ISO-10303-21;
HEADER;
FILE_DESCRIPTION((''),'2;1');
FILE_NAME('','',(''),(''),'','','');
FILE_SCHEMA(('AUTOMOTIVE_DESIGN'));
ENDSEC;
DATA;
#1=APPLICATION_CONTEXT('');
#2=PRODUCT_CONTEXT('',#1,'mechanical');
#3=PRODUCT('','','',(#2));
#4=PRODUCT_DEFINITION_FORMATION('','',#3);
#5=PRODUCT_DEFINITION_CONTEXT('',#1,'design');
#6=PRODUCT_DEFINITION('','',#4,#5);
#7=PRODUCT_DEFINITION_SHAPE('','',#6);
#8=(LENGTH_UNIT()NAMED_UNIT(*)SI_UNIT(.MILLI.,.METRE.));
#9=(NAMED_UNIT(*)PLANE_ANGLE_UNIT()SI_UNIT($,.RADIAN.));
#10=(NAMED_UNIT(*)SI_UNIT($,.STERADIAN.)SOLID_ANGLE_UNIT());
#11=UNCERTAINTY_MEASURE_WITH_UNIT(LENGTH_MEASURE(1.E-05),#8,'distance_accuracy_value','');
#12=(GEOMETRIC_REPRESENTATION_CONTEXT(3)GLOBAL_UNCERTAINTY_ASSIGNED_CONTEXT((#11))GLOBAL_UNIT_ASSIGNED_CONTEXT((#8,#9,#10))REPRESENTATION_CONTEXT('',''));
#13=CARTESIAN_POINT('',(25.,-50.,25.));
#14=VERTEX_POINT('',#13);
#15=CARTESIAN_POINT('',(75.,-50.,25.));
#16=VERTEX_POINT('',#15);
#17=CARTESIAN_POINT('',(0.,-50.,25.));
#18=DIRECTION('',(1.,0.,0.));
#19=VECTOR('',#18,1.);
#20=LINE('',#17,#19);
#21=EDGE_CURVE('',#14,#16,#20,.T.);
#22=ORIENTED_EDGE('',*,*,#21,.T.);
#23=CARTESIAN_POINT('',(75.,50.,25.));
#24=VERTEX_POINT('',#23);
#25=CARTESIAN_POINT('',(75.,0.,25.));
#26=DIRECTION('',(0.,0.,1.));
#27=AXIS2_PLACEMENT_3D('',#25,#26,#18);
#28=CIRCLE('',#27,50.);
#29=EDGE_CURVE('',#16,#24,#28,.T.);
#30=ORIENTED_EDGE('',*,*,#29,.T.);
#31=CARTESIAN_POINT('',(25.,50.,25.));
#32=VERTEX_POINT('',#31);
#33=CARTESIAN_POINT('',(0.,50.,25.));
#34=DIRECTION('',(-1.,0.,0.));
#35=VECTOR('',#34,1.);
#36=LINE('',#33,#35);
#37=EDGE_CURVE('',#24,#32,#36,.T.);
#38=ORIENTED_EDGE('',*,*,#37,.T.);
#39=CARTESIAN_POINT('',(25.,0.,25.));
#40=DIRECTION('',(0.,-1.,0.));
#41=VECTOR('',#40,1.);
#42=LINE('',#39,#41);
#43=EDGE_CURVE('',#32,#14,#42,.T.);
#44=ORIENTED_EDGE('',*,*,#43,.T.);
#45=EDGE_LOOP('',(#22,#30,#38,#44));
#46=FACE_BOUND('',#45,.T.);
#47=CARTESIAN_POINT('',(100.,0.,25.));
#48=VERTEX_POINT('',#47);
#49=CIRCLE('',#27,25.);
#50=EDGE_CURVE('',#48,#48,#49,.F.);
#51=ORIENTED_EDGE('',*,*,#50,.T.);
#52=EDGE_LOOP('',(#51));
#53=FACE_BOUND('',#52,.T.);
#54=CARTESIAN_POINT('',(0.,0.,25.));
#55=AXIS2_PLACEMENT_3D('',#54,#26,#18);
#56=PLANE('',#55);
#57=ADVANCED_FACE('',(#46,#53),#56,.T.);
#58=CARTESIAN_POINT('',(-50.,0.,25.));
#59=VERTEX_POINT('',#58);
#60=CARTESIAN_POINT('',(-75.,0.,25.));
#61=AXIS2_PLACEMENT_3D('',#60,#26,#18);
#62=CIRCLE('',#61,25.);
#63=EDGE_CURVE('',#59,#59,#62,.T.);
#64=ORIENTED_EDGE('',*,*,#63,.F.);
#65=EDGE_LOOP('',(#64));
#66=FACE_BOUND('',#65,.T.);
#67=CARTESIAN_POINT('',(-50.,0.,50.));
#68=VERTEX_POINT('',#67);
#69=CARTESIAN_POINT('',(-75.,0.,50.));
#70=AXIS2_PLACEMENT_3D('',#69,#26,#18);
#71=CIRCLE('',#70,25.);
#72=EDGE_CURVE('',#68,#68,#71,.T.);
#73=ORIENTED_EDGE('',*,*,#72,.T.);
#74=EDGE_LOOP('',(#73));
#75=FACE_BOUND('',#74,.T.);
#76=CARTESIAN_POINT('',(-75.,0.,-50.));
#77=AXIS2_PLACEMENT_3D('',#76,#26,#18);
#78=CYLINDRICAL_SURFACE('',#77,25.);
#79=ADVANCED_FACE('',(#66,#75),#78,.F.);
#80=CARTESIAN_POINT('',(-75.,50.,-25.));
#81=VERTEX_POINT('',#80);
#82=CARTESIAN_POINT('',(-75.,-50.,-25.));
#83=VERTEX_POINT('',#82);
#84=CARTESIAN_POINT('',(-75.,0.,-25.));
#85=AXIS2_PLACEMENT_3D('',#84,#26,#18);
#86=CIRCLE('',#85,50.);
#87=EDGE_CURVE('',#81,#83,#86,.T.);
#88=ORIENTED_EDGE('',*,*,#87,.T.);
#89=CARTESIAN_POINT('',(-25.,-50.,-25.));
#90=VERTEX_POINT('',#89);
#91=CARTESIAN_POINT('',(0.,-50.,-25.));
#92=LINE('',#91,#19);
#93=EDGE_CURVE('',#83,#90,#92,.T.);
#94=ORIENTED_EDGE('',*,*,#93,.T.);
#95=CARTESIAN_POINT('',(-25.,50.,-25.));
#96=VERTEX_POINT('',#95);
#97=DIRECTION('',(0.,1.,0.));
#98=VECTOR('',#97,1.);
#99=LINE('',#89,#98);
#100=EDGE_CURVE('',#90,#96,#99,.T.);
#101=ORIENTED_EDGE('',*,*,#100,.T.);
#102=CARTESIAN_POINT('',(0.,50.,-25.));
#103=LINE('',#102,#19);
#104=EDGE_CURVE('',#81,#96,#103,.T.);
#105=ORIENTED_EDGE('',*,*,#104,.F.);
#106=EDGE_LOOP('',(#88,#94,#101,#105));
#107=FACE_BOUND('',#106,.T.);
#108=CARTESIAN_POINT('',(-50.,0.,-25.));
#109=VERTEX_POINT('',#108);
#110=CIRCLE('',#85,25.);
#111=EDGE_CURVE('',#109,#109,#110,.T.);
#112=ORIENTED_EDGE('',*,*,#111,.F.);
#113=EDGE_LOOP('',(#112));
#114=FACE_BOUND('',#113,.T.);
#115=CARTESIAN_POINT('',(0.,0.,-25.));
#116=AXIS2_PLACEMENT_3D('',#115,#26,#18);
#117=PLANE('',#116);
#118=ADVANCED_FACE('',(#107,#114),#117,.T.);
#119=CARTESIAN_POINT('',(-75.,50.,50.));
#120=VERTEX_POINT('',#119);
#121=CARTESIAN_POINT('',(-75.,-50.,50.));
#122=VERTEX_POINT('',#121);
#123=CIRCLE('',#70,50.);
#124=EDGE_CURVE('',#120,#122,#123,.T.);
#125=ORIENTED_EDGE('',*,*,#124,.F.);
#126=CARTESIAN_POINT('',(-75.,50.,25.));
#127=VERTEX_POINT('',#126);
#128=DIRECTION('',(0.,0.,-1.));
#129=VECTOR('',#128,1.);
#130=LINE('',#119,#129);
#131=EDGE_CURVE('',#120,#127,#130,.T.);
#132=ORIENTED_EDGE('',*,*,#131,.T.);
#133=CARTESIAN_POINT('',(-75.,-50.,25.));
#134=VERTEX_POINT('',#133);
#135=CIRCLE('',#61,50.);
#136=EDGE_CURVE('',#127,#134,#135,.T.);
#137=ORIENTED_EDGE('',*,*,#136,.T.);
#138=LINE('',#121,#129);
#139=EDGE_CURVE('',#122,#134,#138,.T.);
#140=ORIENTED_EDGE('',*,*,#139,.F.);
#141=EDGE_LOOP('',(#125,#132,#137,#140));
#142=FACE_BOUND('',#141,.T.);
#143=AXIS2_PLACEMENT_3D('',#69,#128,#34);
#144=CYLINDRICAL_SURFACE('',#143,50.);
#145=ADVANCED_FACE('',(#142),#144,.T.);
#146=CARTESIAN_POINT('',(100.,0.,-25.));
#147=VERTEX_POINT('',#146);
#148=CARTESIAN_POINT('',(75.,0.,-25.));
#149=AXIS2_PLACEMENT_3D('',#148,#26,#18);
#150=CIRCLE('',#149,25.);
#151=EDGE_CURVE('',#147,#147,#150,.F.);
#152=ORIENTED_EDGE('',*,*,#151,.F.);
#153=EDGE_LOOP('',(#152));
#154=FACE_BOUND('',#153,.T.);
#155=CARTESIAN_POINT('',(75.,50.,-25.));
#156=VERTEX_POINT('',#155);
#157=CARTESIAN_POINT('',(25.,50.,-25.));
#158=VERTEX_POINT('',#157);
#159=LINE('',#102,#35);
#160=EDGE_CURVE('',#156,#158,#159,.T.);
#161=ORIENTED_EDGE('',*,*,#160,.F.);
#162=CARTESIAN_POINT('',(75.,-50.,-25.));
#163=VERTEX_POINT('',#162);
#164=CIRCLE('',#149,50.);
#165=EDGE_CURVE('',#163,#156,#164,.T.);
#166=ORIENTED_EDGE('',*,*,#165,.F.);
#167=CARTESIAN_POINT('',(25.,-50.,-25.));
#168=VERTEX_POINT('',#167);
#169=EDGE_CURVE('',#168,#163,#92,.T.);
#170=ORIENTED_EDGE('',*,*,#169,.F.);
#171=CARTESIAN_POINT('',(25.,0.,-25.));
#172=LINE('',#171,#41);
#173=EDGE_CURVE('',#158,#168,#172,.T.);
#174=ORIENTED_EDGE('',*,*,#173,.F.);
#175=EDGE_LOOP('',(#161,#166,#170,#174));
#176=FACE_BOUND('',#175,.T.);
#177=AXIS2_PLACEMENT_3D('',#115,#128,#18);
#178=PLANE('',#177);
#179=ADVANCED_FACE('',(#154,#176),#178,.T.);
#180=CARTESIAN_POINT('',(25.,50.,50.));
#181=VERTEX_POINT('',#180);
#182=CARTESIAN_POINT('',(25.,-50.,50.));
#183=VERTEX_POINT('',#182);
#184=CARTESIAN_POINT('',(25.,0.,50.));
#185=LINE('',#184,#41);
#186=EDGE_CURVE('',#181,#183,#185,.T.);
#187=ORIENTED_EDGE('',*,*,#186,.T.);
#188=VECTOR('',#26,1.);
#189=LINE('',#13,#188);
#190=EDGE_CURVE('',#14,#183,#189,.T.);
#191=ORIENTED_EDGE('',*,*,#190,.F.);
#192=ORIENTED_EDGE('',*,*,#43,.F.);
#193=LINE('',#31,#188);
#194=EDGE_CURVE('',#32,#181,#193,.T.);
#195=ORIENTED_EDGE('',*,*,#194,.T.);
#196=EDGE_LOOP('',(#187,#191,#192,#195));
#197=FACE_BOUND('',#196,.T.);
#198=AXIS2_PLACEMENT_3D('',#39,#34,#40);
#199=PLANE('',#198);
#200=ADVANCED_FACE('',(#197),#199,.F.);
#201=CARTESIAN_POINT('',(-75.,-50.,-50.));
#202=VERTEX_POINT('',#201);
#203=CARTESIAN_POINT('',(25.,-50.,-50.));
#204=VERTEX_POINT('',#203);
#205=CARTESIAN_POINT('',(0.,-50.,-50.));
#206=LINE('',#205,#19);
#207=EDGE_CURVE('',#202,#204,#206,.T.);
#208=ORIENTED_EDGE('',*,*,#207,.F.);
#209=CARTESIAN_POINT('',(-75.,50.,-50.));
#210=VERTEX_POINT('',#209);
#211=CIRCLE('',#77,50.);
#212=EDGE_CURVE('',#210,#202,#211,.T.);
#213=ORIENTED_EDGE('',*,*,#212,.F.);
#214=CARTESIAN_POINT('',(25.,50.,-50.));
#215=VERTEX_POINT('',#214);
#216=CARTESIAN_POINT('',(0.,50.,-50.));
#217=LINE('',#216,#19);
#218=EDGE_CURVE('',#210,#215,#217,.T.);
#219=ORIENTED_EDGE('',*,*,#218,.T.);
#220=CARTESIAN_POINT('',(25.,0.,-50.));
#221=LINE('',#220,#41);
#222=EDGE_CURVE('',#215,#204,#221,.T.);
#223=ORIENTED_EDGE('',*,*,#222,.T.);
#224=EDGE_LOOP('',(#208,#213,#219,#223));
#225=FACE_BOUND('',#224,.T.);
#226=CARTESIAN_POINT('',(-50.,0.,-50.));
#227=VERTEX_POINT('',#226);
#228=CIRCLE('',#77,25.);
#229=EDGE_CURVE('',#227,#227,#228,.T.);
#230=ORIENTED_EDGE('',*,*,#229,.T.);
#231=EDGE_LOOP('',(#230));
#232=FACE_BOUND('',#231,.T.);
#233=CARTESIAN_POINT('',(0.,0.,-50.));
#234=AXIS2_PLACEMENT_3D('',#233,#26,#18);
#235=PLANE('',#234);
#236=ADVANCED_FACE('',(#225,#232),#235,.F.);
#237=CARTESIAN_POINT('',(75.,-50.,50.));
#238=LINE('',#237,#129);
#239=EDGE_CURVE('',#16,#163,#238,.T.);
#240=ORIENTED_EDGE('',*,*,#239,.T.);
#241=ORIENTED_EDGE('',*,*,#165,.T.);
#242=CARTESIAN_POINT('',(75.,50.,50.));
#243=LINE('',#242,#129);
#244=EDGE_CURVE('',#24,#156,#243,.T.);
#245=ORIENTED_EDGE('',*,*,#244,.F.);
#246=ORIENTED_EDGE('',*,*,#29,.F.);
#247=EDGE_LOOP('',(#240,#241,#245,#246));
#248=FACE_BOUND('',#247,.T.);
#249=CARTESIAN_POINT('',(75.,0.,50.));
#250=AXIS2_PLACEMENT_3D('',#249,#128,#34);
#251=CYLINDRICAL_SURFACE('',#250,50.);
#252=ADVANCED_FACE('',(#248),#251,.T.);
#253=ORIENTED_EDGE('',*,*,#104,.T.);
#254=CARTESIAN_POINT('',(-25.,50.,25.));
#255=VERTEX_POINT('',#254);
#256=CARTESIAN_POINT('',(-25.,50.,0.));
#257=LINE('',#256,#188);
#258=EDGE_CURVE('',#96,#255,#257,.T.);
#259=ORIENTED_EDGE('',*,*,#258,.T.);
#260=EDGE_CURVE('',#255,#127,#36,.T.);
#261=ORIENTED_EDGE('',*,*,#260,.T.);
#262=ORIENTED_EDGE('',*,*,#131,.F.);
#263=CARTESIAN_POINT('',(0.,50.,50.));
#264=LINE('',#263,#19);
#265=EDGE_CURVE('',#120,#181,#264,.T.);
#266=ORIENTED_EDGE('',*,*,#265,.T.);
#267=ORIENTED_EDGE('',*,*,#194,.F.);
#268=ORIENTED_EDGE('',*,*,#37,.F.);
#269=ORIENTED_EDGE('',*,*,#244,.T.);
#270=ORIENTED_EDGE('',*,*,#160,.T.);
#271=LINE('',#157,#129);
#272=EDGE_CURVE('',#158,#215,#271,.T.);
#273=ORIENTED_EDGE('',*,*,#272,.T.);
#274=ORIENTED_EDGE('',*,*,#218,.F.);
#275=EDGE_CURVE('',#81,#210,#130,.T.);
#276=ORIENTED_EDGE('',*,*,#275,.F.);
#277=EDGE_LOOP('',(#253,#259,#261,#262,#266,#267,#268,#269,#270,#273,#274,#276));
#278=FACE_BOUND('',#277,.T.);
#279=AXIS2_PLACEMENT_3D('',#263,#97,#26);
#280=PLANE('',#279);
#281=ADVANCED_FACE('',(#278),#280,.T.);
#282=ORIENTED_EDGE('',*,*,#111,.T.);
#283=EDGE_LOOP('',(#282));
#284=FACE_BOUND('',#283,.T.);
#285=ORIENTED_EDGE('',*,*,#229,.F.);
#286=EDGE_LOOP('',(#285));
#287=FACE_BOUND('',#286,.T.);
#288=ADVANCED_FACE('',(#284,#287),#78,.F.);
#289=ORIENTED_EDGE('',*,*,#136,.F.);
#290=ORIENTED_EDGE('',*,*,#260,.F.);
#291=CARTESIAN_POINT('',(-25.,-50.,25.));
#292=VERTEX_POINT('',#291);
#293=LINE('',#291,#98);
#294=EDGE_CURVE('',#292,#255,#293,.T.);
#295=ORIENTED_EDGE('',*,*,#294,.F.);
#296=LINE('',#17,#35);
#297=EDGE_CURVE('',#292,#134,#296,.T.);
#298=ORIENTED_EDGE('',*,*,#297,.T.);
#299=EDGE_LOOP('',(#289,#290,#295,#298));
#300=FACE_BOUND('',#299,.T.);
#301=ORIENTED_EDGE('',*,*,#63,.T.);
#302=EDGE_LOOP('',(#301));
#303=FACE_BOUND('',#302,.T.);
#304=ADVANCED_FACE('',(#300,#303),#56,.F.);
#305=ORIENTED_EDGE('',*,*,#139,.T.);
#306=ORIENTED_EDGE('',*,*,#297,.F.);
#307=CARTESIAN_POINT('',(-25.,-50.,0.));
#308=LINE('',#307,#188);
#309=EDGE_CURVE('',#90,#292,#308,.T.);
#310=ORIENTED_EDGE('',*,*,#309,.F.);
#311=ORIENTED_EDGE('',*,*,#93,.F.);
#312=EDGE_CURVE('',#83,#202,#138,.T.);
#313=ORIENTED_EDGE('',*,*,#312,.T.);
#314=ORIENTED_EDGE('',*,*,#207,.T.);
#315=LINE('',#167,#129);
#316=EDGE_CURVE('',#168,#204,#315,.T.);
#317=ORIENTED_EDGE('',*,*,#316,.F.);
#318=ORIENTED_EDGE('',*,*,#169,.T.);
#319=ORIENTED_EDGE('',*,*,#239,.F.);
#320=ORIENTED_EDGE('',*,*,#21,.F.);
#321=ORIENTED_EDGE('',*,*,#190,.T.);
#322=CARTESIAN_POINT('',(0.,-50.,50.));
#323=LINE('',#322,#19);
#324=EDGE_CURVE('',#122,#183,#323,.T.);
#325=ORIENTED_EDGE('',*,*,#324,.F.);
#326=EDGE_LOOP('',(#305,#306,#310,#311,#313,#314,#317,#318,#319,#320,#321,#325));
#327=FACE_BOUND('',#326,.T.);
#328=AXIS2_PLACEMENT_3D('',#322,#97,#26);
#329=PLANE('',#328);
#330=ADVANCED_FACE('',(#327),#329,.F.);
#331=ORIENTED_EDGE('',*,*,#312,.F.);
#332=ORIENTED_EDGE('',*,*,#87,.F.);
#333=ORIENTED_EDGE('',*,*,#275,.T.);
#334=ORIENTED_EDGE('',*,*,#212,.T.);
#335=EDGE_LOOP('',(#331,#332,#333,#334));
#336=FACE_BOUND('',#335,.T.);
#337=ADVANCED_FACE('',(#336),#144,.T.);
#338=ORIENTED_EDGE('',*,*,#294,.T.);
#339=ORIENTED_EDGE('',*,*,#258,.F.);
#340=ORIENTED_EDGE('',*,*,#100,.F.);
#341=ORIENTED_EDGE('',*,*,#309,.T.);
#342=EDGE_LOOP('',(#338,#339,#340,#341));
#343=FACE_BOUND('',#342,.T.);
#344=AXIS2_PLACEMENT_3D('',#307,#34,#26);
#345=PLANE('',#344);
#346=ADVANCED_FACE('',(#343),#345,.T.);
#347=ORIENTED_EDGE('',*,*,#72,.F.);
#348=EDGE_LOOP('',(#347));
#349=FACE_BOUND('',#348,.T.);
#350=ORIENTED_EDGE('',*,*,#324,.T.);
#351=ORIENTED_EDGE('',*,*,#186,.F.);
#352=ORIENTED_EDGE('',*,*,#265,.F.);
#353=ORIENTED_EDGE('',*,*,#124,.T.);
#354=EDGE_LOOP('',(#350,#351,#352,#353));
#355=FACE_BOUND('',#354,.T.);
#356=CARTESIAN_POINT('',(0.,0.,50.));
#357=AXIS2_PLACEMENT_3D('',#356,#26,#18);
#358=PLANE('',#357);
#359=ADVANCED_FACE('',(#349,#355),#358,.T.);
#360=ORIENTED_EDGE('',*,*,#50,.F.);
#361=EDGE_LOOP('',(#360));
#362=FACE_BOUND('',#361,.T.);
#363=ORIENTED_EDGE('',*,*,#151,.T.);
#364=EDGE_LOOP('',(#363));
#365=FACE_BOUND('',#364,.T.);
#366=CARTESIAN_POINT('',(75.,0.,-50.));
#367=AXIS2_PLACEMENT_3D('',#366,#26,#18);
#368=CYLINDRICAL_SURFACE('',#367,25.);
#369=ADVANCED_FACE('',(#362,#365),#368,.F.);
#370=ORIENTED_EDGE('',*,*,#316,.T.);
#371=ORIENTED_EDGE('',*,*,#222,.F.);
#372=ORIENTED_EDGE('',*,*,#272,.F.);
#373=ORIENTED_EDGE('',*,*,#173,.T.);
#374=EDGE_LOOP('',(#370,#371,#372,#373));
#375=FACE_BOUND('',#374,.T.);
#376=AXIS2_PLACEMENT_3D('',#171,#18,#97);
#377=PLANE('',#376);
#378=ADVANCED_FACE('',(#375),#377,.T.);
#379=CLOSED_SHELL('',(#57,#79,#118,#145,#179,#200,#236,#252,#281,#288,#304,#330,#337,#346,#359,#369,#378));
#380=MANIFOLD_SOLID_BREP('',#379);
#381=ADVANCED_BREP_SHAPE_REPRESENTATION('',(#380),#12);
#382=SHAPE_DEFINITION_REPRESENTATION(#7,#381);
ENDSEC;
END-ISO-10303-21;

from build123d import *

# Parameters (mm, degrees)
BOSS_EXTRUDE1_DEPTH     = 50
CUT_EXTRUDE1_DEPTH      = 25
SKETCH7_W               = 50
SKETCH7_H               = 50
CUT_EXTRUDE2_DEPTH      = 168.705098312
CUT_EXTRUDE3_DEPTH      = 168.705098312
CUT_EXTRUDE3_DEPTH_BACK = 168.705098312
SKETCH8_R               = 25
CUT_EXTRUDE4_DEPTH      = 168.705098312
CUT_EXTRUDE4_DEPTH_BACK = 168.705098312
SKETCH9_R               = 25
SKETCH15_R              = 25
CUT_EXTRUDE5_DEPTH      = 25


with BuildPart() as part:
    # Sketch2 → Boss-Extrude1 (new, symmetric)
    with BuildSketch(Plane.XY):
        with BuildLine():
            ThreePointArc((-75, 50), (-125, 0), (-75, -50))
            Line((-75, -50), (-75, 50))
        make_face()
        with BuildLine():
            Line((-75, 50), (-75, -50))
            ThreePointArc((-75, -50), (-39.644660941, -35.355339059), (-25, 0))
            ThreePointArc((-25, 0), (-39.644660941, 35.355339059), (-75, 50))
        make_face()
        with BuildLine():
            ThreePointArc((-75, 50), (-125, 0), (-75, -50))
            Line((-75, -50), (-75, 50))
        make_face()
        with BuildLine():
            Line((-75, 50), (-75, -50))
            ThreePointArc((-75, -50), (-39.644660941, -35.355339059), (-25, 0))
            ThreePointArc((-25, 0), (-39.644660941, 35.355339059), (-75, 50))
        make_face()
        with BuildLine():
            ThreePointArc((-25, 0), (-39.644660941, -35.355339059), (-75, -50))
            Line((-75, -50), (75, -50))
            ThreePointArc((75, -50), (25, 0), (75, 50))
            Line((75, 50), (-75, 50))
            ThreePointArc((-75, 50), (-39.644660941, 35.355339059), (-25, 0))
        make_face()
        with BuildLine():
            ThreePointArc((75, 50), (25, 0), (75, -50))
            Line((75, -50), (75, 50))
        make_face()
        with BuildLine():
            Line((75, 50), (75, -50))
            ThreePointArc((75, -50), (110.355339059, -35.355339059), (125, 0))
            ThreePointArc((125, 0), (110.355339059, 35.355339059), (75, 50))
        make_face()
        with BuildLine():
            ThreePointArc((75, 50), (25, 0), (75, -50))
            Line((75, -50), (75, 50))
        make_face()
        with BuildLine():
            Line((75, 50), (75, -50))
            ThreePointArc((75, -50), (110.355339059, -35.355339059), (125, 0))
            ThreePointArc((125, 0), (110.355339059, 35.355339059), (75, 50))
        make_face()
    extrude(amount=BOSS_EXTRUDE1_DEPTH, both=True)

    # Sketch4 → Cut-Extrude1 (cut, symmetric)
    with BuildSketch(Plane.XY):
        with BuildLine():
            Line((-75, -50), (-75, 50))
            ThreePointArc((-75, 50), (-125, 0), (-75, -50))
        make_face()
    extrude(amount=CUT_EXTRUDE1_DEPTH, both=True, mode=Mode.SUBTRACT)

    # Sketch7 → Cut-Extrude2 (cut, through all)
    with BuildSketch(Plane(origin=(0, 50, 0), x_dir=(1, 0, 0), z_dir=(0, 1, 0))):
        with Locations((-50, 0)):
            Rectangle(SKETCH7_W, SKETCH7_H)
    extrude(amount=-CUT_EXTRUDE2_DEPTH, mode=Mode.SUBTRACT)

    # Sketch8 → Cut-Extrude3 (cut, two sides: drawn at the far end of the back side and taken through both)
    with BuildSketch(Plane.XY.offset(50).offset(-CUT_EXTRUDE3_DEPTH_BACK)):
        with Locations((-75, 0)):
            Circle(SKETCH8_R)
    extrude(amount=CUT_EXTRUDE3_DEPTH + CUT_EXTRUDE3_DEPTH_BACK, mode=Mode.SUBTRACT)

    # Sketch9 → Cut-Extrude4 (cut, two sides: drawn at the far end of the back side and taken through both)
    with BuildSketch(Plane.XY.offset(50).offset(-CUT_EXTRUDE4_DEPTH_BACK)):
        with Locations((75, 0)):
            Circle(SKETCH9_R)
    extrude(amount=CUT_EXTRUDE4_DEPTH + CUT_EXTRUDE4_DEPTH_BACK, mode=Mode.SUBTRACT)

    # Sketch15 → Cut-Extrude5 (cut)
    with BuildSketch(Plane.XY.offset(50)):
        with BuildLine():
            Line((75, 50), (25, 50))
            Line((25, 50), (25, -50))
            Line((25, -50), (75, -50))
            ThreePointArc((75, -50), (125, 0), (75, 50))
        make_face()
        with Locations((75, 0)):
            Circle(SKETCH15_R, mode=Mode.SUBTRACT)
    cut_extrude5 = extrude(amount=-CUT_EXTRUDE5_DEPTH, mode=Mode.SUBTRACT)

    # Mirror1: Cut-Extrude5 across plane
    add(cut_extrude5.mirror(Plane.XY), mode=Mode.SUBTRACT)


solid = part.part
